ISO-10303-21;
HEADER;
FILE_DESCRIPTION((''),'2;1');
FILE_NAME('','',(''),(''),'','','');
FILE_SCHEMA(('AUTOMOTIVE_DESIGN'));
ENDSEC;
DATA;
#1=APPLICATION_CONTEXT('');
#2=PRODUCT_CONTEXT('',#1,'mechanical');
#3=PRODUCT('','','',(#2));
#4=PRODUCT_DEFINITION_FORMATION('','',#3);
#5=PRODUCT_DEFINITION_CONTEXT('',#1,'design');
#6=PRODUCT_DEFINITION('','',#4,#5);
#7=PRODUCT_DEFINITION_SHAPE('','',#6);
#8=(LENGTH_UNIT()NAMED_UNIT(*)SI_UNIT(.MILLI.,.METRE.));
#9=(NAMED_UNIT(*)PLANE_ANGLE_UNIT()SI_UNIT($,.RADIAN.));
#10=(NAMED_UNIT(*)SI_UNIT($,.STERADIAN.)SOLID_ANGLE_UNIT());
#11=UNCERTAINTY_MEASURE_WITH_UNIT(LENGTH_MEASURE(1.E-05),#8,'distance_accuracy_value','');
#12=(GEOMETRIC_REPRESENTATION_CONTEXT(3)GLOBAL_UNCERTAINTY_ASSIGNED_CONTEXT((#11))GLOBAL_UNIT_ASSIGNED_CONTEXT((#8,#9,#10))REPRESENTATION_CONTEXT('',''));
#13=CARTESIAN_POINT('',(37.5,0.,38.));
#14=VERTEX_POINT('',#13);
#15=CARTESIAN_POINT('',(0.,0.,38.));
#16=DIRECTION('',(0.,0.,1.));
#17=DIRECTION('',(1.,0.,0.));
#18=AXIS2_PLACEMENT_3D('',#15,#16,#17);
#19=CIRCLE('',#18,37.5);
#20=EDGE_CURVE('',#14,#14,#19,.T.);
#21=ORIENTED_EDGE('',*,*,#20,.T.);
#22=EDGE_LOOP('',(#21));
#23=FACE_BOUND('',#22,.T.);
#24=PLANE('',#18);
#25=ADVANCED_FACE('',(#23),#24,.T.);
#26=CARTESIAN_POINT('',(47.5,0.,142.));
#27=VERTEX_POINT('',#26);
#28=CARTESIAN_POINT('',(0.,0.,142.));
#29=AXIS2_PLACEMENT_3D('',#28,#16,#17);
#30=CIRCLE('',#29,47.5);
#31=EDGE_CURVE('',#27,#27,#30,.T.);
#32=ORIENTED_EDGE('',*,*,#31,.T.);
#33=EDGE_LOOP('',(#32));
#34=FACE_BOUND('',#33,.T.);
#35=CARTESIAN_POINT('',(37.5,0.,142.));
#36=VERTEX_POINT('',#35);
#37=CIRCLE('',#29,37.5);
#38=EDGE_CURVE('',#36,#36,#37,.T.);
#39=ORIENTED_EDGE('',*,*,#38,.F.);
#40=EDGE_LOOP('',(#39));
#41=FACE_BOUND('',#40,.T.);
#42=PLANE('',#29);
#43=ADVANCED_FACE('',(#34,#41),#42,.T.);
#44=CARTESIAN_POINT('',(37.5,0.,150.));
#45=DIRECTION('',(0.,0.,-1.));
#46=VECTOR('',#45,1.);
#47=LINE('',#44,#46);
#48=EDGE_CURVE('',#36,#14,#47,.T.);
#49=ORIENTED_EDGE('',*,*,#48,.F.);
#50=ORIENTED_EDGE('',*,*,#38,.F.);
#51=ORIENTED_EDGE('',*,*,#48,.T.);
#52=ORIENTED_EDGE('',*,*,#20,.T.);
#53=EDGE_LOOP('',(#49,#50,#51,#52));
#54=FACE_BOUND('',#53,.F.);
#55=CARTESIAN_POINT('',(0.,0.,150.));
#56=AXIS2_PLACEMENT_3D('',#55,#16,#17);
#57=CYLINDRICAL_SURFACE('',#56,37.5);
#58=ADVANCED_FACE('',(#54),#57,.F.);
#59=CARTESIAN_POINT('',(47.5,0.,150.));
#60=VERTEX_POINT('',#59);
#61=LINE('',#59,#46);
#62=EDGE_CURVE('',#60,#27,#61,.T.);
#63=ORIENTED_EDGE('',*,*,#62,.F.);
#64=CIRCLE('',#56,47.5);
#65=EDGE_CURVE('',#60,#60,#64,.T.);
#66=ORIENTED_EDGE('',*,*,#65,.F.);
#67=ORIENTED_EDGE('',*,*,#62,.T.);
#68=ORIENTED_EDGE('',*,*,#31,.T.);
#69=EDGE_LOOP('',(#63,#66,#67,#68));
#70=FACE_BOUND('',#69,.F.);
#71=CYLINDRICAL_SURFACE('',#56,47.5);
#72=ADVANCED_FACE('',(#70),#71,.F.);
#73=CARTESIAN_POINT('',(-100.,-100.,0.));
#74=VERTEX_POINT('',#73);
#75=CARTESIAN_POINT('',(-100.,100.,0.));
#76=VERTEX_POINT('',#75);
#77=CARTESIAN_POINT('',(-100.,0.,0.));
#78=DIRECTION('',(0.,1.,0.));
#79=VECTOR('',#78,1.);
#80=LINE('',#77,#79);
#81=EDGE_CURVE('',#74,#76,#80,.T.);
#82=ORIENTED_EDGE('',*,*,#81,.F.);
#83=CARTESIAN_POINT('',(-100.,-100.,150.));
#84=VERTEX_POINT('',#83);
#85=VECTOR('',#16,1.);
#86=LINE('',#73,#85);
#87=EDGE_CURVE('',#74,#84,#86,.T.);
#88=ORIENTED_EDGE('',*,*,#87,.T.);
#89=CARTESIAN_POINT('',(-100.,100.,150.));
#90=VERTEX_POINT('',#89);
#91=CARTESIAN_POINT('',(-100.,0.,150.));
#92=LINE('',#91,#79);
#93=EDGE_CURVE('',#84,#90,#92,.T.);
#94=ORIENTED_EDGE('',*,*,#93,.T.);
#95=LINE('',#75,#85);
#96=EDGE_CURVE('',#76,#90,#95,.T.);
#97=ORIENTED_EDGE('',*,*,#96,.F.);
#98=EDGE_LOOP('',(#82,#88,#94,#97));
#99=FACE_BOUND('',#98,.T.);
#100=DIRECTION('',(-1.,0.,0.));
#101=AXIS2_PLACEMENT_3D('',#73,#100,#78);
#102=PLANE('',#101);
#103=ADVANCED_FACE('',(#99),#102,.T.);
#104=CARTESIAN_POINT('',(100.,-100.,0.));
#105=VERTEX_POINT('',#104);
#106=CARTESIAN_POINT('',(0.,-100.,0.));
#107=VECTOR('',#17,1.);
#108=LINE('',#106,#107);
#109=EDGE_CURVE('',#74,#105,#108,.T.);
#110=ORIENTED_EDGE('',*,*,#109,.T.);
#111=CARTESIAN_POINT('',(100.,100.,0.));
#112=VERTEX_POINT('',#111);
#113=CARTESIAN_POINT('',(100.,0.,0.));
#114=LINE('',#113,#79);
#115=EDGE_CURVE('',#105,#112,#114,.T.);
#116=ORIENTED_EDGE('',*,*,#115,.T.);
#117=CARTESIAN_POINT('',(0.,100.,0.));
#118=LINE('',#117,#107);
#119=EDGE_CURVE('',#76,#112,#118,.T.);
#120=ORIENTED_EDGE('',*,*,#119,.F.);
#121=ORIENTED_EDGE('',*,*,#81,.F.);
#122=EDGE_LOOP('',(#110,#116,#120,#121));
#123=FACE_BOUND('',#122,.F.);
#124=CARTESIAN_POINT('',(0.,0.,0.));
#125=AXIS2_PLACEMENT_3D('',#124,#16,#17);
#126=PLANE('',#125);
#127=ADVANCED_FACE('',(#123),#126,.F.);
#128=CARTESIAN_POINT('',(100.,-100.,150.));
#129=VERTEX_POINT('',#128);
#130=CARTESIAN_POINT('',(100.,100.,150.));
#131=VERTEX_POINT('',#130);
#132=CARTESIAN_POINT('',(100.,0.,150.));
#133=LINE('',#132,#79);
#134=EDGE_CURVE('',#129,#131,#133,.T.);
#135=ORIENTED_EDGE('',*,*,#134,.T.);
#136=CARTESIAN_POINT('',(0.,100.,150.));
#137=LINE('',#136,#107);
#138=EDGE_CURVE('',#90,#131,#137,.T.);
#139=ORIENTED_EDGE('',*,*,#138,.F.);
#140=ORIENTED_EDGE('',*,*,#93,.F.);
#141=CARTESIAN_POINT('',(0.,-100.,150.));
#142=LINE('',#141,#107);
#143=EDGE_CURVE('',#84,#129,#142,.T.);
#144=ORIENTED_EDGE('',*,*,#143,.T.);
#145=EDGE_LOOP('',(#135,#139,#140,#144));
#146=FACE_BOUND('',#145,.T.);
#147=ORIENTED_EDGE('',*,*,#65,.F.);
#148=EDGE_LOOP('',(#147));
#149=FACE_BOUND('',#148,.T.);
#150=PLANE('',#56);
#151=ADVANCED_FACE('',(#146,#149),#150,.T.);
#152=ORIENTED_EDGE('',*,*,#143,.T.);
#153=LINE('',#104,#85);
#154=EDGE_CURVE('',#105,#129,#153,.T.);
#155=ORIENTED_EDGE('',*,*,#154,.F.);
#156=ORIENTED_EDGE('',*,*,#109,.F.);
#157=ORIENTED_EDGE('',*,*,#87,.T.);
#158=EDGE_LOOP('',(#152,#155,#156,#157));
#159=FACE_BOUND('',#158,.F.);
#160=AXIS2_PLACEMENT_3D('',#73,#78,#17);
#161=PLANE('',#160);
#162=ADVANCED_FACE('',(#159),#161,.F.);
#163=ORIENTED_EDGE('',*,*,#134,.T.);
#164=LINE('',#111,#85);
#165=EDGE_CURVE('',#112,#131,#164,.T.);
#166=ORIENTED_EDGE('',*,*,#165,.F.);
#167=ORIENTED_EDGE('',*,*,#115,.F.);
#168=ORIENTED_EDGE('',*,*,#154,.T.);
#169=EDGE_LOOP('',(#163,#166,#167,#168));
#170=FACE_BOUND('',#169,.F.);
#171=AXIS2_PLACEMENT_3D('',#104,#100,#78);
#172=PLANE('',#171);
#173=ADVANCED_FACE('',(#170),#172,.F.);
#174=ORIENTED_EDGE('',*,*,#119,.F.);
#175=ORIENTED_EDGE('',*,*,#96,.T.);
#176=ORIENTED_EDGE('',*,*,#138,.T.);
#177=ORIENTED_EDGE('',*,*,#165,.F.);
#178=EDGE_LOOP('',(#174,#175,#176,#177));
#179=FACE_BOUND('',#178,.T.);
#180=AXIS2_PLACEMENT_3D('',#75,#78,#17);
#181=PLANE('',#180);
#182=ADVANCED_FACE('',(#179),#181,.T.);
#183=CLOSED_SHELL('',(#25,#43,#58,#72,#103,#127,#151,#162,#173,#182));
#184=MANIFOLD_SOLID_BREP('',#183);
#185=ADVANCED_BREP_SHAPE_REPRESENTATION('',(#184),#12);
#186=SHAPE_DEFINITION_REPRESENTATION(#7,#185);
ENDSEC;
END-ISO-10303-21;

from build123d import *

# Parameters (mm, degrees)
F0_W     = 200
F0_H     = 200
F1_DEPTH = 150
F2_R     = 37.5
F3_DEPTH = 112
F4_R     = 47.5
F5_DEPTH = 8


with BuildPart() as f1:
    # F0 (on Top) → F1 (new body)
    with BuildSketch(Plane.XY):
        Rectangle(F0_W, F0_H)
    extrude(amount=F1_DEPTH)

    # F2 (on face) → F3 (cut)
    with BuildSketch(Plane.XY.offset(150)):
        Circle(F2_R)
    extrude(amount=-F3_DEPTH, mode=Mode.SUBTRACT)

    # F4 (on face) → F5 (cut)
    with BuildSketch(Plane.XY.offset(150)):
        Circle(F4_R)
    extrude(amount=-F5_DEPTH, mode=Mode.SUBTRACT)


solid = f1.part
